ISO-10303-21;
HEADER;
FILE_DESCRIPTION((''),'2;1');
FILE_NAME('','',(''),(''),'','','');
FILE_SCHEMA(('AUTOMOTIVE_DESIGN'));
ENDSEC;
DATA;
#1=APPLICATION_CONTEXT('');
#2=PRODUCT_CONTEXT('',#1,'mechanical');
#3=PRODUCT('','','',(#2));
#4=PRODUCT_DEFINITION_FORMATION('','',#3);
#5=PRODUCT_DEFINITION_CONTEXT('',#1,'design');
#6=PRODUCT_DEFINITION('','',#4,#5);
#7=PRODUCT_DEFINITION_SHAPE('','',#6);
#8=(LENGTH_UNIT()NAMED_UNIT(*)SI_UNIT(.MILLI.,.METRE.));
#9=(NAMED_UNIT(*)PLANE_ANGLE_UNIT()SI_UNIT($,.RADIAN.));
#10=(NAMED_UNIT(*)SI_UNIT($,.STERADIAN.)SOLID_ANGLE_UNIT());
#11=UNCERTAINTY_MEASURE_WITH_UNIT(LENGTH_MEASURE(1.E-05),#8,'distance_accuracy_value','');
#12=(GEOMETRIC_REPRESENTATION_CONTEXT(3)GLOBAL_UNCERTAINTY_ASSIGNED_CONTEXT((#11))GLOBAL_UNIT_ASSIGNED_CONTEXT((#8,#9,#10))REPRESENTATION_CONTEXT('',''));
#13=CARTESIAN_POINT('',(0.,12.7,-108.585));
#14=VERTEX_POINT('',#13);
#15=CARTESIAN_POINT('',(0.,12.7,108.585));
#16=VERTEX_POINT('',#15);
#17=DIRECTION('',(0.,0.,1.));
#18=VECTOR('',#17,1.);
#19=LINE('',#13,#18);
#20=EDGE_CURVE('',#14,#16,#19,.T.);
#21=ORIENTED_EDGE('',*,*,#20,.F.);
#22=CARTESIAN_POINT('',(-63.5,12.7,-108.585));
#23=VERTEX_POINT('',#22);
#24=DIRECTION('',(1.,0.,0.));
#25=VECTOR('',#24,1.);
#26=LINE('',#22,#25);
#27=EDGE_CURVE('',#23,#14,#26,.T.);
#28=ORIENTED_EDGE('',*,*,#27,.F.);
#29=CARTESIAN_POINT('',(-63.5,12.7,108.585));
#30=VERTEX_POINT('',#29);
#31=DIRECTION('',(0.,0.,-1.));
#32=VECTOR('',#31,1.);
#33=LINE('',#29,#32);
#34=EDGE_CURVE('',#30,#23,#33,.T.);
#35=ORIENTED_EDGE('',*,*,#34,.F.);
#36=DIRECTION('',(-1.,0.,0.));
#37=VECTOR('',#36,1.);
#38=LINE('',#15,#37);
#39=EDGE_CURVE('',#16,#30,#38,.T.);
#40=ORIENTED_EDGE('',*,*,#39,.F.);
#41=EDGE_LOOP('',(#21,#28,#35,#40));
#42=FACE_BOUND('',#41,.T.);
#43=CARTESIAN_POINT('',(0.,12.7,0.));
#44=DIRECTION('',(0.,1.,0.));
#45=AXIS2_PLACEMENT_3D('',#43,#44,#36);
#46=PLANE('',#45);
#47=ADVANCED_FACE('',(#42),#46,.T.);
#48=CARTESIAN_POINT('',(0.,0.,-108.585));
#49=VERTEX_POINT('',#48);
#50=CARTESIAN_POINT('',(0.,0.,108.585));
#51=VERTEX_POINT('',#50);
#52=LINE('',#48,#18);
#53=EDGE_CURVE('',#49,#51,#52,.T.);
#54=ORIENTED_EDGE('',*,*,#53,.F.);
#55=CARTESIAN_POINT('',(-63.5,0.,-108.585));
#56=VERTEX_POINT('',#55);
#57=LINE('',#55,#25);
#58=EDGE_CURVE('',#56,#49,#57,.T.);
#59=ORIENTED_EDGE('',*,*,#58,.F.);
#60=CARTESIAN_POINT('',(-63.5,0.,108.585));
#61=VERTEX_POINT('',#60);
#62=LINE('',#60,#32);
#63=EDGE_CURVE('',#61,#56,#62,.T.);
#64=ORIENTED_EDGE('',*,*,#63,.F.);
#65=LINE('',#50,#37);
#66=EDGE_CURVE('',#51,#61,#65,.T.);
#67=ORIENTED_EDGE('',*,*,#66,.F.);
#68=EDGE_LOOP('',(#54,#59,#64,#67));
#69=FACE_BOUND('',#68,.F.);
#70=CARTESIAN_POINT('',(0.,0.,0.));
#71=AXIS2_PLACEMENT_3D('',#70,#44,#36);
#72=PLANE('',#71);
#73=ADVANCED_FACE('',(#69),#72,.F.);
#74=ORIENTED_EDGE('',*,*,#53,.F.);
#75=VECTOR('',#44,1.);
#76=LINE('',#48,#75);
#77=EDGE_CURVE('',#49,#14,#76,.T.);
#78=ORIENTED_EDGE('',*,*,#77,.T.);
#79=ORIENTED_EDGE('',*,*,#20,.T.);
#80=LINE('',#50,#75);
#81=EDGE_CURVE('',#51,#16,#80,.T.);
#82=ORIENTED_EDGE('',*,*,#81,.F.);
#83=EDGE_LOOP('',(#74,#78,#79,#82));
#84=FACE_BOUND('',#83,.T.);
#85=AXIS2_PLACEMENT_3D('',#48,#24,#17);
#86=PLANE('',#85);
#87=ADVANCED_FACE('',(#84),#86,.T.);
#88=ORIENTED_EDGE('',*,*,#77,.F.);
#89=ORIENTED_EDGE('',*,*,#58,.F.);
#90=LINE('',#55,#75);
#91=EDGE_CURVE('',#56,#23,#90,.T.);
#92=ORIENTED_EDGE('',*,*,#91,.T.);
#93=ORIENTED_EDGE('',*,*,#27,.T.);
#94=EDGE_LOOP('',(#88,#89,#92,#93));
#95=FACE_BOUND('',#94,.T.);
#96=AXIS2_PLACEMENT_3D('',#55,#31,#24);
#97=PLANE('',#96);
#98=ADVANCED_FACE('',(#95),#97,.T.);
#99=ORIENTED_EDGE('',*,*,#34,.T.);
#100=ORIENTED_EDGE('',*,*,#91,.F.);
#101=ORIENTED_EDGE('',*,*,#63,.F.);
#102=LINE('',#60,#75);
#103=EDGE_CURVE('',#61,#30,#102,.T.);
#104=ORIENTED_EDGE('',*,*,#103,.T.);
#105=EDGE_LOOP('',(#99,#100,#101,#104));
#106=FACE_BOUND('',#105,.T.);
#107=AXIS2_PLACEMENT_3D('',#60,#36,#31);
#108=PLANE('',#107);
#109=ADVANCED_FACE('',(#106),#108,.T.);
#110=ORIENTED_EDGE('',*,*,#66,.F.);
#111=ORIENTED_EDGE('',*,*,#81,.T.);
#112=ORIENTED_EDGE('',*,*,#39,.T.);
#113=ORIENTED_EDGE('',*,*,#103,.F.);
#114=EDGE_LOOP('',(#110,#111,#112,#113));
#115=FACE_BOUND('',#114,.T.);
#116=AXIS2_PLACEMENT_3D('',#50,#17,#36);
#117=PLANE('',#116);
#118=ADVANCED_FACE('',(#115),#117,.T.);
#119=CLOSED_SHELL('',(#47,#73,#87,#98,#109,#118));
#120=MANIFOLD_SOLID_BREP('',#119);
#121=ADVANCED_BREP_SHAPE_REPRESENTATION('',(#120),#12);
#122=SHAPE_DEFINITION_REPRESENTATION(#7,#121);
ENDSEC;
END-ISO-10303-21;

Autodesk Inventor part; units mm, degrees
ref_plane "YZ Plane" through (0, 0, 0) normal (1, 0, 0) x (0, 1, 0)
ref_plane "XZ Plane" through (0, 0, 0) normal (0, 1, 0) x (-1, 0, 0)
ref_plane "XY Plane" through (0, 0, 0) normal (0, 0, 1) x (1, 0, 0)
sketch "Sketch1" plane through (0, 0, 0) normal (0, 1, 0) x (-1, 0, 0)
  line L0 (0, 108.585) -> (63.5, 108.585)
  line L1 (63.5, 108.585) -> (63.5, -108.585)
  line L2 (63.5, -108.585) -> (0, -108.585)
  line L3 (0, -108.585) -> (0, 108.585)
  point P0 (0, 0)
  point P1 (0, 0)
  dimension "d0" = 63.5
  dimension "d1" = 217.17
extrude "Extrusion1" add sketch "Sketch1" along normal blind 12.7
properties part number "Part2 x 1"
